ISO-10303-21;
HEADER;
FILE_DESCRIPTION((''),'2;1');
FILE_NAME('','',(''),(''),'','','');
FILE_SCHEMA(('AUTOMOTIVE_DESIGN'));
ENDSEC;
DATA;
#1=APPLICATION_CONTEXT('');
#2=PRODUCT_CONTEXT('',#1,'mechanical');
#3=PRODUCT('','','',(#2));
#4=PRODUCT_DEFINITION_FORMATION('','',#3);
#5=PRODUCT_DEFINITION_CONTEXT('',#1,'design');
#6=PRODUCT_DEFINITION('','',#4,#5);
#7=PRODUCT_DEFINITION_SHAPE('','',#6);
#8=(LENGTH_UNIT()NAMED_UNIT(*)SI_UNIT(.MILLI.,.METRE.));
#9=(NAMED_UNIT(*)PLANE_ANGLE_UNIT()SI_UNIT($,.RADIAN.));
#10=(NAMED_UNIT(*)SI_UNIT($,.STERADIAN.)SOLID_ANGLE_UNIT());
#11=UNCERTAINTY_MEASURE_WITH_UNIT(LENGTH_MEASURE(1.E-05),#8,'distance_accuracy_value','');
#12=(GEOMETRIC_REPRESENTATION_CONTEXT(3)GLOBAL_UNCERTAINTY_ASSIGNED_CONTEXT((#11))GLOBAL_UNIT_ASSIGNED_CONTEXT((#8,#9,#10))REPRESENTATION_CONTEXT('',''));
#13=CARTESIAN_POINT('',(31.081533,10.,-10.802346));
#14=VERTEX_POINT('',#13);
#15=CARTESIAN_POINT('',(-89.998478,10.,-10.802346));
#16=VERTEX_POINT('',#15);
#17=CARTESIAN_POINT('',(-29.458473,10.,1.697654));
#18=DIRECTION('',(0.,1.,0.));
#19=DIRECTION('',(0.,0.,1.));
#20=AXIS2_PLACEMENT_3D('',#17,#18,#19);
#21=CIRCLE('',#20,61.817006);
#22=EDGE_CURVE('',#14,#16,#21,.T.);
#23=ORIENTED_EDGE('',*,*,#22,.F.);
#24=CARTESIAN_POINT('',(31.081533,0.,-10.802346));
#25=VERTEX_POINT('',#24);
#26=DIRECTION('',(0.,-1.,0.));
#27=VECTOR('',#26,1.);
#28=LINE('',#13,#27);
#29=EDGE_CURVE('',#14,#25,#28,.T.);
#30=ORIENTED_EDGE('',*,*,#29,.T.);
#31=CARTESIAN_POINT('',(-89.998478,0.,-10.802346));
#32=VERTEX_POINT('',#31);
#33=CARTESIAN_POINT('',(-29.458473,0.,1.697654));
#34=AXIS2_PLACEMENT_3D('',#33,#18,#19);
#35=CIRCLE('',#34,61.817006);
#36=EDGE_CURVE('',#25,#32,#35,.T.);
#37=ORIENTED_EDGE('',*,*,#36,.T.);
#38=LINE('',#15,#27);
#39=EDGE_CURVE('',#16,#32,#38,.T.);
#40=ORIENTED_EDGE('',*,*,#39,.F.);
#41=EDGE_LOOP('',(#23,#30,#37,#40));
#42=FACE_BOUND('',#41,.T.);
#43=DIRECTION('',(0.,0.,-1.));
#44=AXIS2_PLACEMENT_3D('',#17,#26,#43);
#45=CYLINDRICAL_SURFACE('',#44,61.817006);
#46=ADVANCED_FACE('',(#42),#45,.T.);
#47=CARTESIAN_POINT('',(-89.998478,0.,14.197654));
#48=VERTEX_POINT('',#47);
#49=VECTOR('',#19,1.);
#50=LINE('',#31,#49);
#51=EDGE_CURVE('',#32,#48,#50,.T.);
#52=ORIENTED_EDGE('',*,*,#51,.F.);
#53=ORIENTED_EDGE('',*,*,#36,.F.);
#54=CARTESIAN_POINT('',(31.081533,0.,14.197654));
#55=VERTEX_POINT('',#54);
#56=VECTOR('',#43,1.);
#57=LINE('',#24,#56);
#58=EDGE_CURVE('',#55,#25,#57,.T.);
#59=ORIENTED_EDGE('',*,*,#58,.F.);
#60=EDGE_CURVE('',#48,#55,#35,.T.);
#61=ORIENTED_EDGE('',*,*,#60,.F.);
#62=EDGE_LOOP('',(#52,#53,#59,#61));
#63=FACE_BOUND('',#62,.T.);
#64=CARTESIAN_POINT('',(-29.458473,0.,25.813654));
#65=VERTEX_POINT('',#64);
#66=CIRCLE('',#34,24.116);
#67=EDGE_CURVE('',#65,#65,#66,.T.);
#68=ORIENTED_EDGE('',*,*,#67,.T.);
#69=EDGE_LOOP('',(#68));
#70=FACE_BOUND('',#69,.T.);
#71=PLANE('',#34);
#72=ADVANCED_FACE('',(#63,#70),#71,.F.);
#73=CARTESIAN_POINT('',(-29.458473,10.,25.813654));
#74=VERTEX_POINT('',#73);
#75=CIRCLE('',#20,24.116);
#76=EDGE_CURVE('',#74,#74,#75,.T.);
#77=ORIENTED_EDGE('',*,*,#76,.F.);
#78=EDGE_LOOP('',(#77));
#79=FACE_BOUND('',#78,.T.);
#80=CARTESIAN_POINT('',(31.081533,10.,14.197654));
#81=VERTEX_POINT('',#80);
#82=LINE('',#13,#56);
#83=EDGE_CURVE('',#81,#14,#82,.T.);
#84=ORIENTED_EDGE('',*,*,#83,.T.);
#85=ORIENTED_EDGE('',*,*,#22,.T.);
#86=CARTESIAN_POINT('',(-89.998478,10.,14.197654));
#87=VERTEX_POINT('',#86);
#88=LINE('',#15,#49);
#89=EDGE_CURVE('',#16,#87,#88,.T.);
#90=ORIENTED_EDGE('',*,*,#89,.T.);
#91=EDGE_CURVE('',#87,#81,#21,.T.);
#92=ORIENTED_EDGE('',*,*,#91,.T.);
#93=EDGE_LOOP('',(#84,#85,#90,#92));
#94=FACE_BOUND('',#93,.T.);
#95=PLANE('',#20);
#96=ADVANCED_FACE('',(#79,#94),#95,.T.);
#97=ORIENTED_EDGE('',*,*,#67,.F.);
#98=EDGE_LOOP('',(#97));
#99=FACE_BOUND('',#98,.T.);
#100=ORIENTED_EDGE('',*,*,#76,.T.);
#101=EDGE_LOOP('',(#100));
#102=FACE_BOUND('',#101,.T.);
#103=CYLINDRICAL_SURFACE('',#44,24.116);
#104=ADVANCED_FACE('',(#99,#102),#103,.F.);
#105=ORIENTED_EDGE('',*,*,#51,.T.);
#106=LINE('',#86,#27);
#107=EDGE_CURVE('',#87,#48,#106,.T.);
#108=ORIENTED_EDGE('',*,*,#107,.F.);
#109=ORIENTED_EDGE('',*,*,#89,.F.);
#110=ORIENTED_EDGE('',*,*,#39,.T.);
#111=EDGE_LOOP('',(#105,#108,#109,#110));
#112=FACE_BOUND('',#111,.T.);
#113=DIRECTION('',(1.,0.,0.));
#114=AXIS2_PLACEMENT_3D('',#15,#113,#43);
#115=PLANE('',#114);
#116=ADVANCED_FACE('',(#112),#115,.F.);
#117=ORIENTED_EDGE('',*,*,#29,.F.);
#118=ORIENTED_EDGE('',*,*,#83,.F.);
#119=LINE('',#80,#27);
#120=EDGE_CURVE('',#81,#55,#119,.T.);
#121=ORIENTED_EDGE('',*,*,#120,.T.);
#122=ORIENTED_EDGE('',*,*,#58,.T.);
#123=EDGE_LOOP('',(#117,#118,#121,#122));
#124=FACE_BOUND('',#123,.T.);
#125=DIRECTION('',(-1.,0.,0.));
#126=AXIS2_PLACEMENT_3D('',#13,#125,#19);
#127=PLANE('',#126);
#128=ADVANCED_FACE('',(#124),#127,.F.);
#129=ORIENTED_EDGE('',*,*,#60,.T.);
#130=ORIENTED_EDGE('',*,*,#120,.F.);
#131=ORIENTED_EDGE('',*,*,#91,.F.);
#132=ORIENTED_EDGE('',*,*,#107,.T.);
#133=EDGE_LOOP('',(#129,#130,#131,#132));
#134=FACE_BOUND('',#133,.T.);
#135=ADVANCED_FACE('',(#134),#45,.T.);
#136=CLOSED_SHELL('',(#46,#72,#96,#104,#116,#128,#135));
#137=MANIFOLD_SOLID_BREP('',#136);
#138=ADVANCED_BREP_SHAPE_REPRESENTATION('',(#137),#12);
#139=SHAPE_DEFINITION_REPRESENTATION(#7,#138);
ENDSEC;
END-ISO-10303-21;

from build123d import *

# Parameters (mm, degrees)
SKETCH1_R           = 24.116
BOSS_EXTRUDE1_DEPTH = 10


with BuildPart() as part:
    # Sketch1 → Boss-Extrude1 (new body)
    with BuildSketch(Plane(origin=(0, 0, 0), x_dir=(0.9995179941195829, 0, 0.03104479716741388), z_dir=(0, 1, 0))):
        with BuildLine():
            Line((-90.290454988, 8.003154584), (-89.514335059, -16.984795269))
            ThreePointArc((-89.514335059, -16.984795269), (-27.472473835, -64.398578188), (31.50731448, -13.225890892))
            Line((31.50731448, -13.225890892), (30.731194551, 11.762058961))
            ThreePointArc((30.731194551, 11.762058961), (-31.310666673, 59.17584188), (-90.290454988, 8.003154584))
        make_face()
        with Locations(Location((-29.391570254, -2.611368154, 0), (0, 0, 271.779021696))):
            Circle(SKETCH1_R, mode=Mode.SUBTRACT)
    extrude(amount=BOSS_EXTRUDE1_DEPTH)


solid = part.part
